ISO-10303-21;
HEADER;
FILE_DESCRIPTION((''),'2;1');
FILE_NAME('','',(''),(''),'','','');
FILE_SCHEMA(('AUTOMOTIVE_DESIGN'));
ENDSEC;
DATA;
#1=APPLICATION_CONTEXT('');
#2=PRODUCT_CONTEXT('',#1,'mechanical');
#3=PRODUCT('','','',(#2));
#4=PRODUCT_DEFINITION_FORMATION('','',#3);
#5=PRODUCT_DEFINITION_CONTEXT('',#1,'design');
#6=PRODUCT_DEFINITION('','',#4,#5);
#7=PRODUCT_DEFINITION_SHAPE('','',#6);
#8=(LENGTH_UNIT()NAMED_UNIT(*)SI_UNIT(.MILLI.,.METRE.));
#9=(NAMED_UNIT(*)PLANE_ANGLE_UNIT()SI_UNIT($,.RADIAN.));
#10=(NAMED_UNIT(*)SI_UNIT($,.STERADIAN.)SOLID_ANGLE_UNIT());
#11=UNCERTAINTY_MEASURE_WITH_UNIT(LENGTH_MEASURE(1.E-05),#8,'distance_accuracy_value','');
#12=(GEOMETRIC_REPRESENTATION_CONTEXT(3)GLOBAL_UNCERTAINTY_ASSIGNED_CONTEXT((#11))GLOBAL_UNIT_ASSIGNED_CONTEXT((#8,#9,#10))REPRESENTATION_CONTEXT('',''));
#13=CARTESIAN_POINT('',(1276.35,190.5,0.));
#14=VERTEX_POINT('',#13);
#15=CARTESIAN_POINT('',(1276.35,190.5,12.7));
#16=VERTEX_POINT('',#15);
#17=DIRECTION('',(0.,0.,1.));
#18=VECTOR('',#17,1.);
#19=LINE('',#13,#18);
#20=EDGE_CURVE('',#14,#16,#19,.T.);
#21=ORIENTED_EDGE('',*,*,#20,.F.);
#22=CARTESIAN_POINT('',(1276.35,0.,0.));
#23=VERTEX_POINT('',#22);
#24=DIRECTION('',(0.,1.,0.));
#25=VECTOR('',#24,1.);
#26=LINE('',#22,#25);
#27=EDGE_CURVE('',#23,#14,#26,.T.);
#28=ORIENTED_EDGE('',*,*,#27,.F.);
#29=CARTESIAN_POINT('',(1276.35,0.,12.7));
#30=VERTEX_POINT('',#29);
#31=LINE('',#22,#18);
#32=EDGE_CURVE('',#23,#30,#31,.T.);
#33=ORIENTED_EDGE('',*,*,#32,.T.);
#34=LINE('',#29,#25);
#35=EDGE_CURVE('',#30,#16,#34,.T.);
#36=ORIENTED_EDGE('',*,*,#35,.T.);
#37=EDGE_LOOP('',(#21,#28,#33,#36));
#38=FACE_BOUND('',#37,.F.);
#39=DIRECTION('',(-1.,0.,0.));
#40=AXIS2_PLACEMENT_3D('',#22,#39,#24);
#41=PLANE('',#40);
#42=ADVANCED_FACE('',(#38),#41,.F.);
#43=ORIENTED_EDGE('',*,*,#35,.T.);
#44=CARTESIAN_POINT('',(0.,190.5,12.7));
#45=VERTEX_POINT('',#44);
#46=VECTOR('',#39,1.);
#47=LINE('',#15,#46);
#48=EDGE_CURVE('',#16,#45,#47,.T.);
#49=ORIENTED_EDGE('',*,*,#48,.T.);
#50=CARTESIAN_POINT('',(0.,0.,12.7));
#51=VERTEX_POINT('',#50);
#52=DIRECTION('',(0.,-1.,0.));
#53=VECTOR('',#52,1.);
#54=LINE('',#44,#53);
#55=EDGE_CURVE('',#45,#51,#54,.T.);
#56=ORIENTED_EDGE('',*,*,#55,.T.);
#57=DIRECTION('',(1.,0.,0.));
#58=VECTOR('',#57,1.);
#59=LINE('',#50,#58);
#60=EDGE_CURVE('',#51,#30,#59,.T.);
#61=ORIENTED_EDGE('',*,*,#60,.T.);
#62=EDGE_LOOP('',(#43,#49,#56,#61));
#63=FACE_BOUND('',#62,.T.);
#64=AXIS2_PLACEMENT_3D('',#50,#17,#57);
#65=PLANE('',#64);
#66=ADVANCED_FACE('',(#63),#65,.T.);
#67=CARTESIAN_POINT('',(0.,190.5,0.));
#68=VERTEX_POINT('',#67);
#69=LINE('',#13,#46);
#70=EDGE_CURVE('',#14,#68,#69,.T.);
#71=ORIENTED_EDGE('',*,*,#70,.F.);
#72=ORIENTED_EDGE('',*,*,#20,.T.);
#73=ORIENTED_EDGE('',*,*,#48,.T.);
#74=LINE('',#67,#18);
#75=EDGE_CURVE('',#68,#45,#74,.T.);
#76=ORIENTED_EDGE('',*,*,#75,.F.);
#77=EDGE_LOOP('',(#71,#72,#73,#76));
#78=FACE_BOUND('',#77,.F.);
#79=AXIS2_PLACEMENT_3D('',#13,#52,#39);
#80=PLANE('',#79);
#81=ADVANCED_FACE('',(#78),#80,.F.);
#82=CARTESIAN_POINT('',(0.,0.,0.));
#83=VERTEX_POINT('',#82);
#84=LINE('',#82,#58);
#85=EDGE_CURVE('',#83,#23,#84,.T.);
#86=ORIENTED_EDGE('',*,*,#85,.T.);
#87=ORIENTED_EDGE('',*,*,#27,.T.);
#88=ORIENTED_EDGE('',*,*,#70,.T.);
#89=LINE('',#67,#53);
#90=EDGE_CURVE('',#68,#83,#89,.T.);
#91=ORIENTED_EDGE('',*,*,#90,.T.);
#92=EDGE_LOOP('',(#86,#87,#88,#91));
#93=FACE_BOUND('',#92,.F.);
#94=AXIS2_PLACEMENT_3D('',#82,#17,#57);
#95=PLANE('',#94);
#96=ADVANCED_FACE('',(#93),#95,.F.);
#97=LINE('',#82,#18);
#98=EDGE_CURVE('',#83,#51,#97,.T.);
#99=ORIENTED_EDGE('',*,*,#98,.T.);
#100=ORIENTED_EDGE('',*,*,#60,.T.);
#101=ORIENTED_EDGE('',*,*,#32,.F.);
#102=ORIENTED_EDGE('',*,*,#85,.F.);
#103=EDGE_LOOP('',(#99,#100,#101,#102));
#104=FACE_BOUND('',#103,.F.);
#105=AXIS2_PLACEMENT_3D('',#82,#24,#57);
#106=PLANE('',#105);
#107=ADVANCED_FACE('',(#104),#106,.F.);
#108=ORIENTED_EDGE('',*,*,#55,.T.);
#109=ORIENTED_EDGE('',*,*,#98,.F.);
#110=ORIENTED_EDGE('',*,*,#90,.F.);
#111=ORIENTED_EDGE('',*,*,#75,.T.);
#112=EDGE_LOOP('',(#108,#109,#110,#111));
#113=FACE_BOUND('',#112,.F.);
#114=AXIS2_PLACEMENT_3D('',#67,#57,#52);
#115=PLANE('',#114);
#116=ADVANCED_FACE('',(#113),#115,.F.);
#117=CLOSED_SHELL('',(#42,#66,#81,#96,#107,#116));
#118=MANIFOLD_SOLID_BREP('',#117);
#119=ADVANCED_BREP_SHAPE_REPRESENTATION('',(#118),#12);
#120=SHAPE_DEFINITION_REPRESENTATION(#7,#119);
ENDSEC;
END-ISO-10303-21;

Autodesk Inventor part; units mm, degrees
ref_plane "YZ Plane" through (0, 0, 0) normal (1, 0, 0) x (0, 1, 0)
ref_plane "XZ Plane" through (0, 0, 0) normal (0, 1, 0) x (-1, 0, 0)
ref_plane "XY Plane" through (0, 0, 0) normal (0, 0, 1) x (1, 0, 0)
sketch "Sketch1" plane through (0, 0, 0) normal (0, 0, 1) x (1, 0, 0)
  line L0 (0, 0) -> (1276.35, 0)
  line L1 (1276.35, 0) -> (1276.35, 190.5)
  line L2 (1276.35, 190.5) -> (0, 190.5)
  line L3 (0, 190.5) -> (0, 0)
  dimension "d0" = 190.5
  dimension "d1" = 1276.35
extrude "Extrusion1" add sketch "Sketch1" along normal blind 12.7
properties part number "GE-12103-02"
